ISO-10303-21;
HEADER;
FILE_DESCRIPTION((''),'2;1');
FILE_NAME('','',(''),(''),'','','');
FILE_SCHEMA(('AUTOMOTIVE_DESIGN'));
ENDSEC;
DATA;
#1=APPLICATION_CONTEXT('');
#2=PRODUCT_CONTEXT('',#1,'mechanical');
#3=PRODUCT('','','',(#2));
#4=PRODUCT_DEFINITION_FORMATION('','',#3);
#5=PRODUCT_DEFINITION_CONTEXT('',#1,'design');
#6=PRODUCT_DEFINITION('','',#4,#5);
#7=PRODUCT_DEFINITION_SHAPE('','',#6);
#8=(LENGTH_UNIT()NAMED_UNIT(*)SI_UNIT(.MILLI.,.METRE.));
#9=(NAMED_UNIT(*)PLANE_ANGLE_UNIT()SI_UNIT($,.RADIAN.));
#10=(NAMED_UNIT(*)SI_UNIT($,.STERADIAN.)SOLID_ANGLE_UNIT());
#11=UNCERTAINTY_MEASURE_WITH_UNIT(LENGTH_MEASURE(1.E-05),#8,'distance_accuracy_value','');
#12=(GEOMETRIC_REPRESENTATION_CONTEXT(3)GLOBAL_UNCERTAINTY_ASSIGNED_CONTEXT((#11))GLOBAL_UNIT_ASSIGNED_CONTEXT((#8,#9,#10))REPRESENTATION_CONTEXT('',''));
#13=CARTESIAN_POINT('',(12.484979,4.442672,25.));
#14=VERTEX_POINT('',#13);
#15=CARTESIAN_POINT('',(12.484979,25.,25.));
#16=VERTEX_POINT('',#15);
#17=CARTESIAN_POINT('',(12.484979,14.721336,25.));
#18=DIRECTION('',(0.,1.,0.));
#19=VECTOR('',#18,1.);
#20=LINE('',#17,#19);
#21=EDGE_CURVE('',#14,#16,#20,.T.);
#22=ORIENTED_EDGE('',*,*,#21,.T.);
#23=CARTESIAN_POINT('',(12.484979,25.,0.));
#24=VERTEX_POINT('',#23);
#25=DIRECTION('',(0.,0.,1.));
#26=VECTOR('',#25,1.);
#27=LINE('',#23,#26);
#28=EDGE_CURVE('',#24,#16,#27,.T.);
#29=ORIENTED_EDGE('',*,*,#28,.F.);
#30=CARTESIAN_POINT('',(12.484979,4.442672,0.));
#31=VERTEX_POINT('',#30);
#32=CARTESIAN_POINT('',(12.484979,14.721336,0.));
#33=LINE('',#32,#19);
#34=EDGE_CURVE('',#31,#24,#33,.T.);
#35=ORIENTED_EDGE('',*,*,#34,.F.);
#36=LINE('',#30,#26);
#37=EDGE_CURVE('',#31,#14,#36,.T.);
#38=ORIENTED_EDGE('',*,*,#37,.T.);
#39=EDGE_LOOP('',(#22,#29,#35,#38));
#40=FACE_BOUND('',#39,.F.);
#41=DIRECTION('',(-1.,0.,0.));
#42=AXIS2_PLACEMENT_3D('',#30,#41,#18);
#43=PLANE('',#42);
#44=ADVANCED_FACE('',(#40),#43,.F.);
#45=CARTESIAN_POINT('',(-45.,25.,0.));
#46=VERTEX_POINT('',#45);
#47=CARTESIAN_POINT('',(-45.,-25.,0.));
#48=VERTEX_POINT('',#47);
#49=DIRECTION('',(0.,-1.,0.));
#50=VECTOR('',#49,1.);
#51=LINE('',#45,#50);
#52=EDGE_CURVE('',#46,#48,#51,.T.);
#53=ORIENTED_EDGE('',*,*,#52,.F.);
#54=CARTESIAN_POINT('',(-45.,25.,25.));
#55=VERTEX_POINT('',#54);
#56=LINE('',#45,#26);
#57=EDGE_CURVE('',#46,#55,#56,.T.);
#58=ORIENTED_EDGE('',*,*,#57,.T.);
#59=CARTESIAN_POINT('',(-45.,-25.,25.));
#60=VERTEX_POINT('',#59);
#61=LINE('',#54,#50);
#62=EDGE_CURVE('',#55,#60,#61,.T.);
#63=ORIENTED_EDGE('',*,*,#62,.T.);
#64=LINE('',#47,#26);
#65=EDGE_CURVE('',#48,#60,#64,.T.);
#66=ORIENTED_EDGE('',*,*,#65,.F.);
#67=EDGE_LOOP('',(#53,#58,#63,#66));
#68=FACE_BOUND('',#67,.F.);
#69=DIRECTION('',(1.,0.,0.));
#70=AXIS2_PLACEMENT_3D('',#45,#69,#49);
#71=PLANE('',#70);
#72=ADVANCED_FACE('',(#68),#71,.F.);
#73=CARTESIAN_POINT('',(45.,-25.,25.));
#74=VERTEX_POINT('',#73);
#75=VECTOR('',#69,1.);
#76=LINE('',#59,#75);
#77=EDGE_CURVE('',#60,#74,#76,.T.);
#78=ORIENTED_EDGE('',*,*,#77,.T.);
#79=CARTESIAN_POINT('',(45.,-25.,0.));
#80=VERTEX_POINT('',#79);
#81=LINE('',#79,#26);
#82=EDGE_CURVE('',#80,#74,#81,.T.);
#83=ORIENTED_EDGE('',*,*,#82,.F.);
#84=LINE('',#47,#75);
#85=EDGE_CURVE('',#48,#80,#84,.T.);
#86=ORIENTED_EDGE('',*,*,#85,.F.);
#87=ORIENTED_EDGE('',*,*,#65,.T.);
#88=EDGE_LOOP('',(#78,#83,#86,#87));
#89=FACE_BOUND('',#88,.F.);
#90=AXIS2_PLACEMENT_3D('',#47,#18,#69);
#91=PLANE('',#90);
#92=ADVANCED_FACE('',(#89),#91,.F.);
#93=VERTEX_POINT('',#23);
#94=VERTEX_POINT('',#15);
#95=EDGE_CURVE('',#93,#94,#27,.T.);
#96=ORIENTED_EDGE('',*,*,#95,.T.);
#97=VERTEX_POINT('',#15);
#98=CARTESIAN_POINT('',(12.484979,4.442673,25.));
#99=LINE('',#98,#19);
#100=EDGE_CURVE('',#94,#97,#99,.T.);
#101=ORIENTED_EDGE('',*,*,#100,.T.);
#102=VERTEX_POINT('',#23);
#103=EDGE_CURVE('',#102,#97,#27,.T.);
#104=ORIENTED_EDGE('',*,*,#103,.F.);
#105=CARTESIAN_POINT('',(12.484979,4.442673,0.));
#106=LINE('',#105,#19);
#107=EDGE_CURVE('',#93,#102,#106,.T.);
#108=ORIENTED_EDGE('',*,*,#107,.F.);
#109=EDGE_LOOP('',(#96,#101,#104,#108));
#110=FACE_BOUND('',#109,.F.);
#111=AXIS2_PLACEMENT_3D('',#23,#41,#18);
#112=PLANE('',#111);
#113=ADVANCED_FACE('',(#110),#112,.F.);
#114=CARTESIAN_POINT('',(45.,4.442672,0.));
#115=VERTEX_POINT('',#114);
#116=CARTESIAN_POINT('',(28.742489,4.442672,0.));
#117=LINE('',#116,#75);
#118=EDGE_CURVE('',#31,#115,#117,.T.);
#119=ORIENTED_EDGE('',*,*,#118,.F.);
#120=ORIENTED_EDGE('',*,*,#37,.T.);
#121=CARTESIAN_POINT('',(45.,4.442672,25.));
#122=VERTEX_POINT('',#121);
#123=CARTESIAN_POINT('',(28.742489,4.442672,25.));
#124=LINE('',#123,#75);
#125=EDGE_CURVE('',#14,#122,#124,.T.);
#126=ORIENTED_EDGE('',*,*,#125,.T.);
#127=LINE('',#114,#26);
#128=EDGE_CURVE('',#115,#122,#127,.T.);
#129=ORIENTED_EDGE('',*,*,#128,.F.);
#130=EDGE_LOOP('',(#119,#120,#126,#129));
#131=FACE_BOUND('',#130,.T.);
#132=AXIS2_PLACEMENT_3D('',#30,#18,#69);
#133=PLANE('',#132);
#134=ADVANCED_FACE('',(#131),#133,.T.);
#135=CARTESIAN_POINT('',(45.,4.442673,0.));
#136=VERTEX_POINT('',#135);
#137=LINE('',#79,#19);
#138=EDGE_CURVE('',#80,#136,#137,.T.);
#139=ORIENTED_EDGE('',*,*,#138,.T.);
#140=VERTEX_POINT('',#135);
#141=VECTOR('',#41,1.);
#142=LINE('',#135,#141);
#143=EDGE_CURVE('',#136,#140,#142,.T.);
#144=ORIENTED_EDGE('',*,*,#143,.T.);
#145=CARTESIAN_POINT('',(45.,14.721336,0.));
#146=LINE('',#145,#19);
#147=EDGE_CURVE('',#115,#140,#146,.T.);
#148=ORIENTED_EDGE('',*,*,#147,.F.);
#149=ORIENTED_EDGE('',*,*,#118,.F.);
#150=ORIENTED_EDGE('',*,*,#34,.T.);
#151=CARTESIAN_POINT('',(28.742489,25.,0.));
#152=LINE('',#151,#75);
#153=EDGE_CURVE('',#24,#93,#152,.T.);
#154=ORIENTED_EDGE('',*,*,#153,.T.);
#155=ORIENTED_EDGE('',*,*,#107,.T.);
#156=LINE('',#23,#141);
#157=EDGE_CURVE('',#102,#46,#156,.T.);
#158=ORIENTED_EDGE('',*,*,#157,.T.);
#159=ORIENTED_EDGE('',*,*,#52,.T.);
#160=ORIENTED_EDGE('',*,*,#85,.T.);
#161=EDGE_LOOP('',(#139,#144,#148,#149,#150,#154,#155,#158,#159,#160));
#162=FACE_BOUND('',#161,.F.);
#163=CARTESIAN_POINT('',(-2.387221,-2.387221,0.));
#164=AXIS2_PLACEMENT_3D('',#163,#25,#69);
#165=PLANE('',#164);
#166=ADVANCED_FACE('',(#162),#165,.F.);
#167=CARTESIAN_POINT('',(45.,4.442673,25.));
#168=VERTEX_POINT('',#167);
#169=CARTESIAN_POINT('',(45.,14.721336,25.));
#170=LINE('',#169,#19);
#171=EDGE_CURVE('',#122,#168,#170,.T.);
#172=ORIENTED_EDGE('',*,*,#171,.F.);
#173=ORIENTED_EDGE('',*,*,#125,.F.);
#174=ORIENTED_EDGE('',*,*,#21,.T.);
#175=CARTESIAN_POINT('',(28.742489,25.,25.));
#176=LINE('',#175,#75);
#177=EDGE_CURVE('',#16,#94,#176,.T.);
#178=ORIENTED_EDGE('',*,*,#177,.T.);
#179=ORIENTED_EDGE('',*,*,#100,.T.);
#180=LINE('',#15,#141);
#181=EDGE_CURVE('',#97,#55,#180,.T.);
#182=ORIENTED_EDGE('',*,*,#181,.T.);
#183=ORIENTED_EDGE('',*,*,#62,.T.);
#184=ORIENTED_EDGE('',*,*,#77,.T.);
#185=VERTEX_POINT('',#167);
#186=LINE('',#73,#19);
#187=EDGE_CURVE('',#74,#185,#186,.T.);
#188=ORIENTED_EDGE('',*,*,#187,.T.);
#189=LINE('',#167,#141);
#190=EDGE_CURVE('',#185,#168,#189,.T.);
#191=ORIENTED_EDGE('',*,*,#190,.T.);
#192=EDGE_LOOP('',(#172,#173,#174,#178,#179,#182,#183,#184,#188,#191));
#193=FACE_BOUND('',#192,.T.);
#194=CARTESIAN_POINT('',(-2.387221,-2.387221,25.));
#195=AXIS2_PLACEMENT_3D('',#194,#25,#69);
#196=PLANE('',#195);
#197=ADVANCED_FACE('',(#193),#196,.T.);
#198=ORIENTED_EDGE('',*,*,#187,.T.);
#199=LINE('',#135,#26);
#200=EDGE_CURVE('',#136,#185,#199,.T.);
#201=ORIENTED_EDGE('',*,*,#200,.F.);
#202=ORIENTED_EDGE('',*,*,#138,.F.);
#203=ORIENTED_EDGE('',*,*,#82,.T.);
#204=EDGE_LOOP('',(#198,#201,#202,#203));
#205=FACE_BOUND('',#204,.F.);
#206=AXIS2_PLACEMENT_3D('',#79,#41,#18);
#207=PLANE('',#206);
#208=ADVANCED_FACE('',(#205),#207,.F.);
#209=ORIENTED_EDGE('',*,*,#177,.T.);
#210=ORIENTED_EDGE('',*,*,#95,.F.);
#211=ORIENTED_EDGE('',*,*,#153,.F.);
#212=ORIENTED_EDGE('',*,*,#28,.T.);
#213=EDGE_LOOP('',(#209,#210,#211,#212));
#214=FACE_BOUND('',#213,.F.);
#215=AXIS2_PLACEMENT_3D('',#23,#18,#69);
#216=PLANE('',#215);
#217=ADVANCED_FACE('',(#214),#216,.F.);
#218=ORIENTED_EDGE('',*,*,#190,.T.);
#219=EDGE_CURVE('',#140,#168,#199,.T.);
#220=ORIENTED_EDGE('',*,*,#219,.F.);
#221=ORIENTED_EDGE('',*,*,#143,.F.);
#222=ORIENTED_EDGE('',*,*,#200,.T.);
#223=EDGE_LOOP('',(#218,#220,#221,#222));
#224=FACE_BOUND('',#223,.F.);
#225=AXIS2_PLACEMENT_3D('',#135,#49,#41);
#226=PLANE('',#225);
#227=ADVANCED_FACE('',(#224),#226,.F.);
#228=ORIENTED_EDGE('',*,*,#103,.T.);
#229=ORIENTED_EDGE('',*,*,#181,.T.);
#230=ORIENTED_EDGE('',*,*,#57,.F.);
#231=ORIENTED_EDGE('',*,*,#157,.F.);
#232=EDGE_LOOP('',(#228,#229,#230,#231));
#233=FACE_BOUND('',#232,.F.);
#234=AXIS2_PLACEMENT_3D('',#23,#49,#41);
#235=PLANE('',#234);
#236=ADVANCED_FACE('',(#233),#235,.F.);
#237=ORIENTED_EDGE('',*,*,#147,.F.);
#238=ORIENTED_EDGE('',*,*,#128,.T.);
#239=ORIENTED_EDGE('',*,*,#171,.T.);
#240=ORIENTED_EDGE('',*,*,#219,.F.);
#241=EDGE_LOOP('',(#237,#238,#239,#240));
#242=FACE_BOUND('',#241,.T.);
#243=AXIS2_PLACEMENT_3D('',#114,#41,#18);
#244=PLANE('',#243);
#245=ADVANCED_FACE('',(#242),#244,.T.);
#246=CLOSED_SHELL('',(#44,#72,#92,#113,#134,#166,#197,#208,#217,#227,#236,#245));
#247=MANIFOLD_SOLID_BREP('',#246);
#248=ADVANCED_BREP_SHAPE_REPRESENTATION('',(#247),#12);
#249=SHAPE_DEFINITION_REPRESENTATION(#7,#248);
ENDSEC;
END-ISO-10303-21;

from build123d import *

# Parameters (mm, degrees)
F0_W     = 32.515021
F0_H     = 20.557327
F1_DEPTH = 25
F2_DEPTH = 25


with BuildPart() as f1:
    # F0 (on Top) → F1 (new body)
    with BuildSketch(Plane.XY):
        Polygon((-45, -25), (45, -25), (45, 4.442673), (12.484979, 4.442673), (12.484979, 25), (-45, 25), align=None)
        with Locations((28.742489, 14.721336)):
            Rectangle(F0_W, F0_H)
    extrude(amount=F1_DEPTH)

    # F0 (on Top) → F2 (cut)
    with BuildSketch(Plane.XY):
        with Locations((28.742489, 14.721336)):
            Rectangle(F0_W, F0_H)
    extrude(amount=F2_DEPTH, mode=Mode.SUBTRACT)


solid = f1.part
